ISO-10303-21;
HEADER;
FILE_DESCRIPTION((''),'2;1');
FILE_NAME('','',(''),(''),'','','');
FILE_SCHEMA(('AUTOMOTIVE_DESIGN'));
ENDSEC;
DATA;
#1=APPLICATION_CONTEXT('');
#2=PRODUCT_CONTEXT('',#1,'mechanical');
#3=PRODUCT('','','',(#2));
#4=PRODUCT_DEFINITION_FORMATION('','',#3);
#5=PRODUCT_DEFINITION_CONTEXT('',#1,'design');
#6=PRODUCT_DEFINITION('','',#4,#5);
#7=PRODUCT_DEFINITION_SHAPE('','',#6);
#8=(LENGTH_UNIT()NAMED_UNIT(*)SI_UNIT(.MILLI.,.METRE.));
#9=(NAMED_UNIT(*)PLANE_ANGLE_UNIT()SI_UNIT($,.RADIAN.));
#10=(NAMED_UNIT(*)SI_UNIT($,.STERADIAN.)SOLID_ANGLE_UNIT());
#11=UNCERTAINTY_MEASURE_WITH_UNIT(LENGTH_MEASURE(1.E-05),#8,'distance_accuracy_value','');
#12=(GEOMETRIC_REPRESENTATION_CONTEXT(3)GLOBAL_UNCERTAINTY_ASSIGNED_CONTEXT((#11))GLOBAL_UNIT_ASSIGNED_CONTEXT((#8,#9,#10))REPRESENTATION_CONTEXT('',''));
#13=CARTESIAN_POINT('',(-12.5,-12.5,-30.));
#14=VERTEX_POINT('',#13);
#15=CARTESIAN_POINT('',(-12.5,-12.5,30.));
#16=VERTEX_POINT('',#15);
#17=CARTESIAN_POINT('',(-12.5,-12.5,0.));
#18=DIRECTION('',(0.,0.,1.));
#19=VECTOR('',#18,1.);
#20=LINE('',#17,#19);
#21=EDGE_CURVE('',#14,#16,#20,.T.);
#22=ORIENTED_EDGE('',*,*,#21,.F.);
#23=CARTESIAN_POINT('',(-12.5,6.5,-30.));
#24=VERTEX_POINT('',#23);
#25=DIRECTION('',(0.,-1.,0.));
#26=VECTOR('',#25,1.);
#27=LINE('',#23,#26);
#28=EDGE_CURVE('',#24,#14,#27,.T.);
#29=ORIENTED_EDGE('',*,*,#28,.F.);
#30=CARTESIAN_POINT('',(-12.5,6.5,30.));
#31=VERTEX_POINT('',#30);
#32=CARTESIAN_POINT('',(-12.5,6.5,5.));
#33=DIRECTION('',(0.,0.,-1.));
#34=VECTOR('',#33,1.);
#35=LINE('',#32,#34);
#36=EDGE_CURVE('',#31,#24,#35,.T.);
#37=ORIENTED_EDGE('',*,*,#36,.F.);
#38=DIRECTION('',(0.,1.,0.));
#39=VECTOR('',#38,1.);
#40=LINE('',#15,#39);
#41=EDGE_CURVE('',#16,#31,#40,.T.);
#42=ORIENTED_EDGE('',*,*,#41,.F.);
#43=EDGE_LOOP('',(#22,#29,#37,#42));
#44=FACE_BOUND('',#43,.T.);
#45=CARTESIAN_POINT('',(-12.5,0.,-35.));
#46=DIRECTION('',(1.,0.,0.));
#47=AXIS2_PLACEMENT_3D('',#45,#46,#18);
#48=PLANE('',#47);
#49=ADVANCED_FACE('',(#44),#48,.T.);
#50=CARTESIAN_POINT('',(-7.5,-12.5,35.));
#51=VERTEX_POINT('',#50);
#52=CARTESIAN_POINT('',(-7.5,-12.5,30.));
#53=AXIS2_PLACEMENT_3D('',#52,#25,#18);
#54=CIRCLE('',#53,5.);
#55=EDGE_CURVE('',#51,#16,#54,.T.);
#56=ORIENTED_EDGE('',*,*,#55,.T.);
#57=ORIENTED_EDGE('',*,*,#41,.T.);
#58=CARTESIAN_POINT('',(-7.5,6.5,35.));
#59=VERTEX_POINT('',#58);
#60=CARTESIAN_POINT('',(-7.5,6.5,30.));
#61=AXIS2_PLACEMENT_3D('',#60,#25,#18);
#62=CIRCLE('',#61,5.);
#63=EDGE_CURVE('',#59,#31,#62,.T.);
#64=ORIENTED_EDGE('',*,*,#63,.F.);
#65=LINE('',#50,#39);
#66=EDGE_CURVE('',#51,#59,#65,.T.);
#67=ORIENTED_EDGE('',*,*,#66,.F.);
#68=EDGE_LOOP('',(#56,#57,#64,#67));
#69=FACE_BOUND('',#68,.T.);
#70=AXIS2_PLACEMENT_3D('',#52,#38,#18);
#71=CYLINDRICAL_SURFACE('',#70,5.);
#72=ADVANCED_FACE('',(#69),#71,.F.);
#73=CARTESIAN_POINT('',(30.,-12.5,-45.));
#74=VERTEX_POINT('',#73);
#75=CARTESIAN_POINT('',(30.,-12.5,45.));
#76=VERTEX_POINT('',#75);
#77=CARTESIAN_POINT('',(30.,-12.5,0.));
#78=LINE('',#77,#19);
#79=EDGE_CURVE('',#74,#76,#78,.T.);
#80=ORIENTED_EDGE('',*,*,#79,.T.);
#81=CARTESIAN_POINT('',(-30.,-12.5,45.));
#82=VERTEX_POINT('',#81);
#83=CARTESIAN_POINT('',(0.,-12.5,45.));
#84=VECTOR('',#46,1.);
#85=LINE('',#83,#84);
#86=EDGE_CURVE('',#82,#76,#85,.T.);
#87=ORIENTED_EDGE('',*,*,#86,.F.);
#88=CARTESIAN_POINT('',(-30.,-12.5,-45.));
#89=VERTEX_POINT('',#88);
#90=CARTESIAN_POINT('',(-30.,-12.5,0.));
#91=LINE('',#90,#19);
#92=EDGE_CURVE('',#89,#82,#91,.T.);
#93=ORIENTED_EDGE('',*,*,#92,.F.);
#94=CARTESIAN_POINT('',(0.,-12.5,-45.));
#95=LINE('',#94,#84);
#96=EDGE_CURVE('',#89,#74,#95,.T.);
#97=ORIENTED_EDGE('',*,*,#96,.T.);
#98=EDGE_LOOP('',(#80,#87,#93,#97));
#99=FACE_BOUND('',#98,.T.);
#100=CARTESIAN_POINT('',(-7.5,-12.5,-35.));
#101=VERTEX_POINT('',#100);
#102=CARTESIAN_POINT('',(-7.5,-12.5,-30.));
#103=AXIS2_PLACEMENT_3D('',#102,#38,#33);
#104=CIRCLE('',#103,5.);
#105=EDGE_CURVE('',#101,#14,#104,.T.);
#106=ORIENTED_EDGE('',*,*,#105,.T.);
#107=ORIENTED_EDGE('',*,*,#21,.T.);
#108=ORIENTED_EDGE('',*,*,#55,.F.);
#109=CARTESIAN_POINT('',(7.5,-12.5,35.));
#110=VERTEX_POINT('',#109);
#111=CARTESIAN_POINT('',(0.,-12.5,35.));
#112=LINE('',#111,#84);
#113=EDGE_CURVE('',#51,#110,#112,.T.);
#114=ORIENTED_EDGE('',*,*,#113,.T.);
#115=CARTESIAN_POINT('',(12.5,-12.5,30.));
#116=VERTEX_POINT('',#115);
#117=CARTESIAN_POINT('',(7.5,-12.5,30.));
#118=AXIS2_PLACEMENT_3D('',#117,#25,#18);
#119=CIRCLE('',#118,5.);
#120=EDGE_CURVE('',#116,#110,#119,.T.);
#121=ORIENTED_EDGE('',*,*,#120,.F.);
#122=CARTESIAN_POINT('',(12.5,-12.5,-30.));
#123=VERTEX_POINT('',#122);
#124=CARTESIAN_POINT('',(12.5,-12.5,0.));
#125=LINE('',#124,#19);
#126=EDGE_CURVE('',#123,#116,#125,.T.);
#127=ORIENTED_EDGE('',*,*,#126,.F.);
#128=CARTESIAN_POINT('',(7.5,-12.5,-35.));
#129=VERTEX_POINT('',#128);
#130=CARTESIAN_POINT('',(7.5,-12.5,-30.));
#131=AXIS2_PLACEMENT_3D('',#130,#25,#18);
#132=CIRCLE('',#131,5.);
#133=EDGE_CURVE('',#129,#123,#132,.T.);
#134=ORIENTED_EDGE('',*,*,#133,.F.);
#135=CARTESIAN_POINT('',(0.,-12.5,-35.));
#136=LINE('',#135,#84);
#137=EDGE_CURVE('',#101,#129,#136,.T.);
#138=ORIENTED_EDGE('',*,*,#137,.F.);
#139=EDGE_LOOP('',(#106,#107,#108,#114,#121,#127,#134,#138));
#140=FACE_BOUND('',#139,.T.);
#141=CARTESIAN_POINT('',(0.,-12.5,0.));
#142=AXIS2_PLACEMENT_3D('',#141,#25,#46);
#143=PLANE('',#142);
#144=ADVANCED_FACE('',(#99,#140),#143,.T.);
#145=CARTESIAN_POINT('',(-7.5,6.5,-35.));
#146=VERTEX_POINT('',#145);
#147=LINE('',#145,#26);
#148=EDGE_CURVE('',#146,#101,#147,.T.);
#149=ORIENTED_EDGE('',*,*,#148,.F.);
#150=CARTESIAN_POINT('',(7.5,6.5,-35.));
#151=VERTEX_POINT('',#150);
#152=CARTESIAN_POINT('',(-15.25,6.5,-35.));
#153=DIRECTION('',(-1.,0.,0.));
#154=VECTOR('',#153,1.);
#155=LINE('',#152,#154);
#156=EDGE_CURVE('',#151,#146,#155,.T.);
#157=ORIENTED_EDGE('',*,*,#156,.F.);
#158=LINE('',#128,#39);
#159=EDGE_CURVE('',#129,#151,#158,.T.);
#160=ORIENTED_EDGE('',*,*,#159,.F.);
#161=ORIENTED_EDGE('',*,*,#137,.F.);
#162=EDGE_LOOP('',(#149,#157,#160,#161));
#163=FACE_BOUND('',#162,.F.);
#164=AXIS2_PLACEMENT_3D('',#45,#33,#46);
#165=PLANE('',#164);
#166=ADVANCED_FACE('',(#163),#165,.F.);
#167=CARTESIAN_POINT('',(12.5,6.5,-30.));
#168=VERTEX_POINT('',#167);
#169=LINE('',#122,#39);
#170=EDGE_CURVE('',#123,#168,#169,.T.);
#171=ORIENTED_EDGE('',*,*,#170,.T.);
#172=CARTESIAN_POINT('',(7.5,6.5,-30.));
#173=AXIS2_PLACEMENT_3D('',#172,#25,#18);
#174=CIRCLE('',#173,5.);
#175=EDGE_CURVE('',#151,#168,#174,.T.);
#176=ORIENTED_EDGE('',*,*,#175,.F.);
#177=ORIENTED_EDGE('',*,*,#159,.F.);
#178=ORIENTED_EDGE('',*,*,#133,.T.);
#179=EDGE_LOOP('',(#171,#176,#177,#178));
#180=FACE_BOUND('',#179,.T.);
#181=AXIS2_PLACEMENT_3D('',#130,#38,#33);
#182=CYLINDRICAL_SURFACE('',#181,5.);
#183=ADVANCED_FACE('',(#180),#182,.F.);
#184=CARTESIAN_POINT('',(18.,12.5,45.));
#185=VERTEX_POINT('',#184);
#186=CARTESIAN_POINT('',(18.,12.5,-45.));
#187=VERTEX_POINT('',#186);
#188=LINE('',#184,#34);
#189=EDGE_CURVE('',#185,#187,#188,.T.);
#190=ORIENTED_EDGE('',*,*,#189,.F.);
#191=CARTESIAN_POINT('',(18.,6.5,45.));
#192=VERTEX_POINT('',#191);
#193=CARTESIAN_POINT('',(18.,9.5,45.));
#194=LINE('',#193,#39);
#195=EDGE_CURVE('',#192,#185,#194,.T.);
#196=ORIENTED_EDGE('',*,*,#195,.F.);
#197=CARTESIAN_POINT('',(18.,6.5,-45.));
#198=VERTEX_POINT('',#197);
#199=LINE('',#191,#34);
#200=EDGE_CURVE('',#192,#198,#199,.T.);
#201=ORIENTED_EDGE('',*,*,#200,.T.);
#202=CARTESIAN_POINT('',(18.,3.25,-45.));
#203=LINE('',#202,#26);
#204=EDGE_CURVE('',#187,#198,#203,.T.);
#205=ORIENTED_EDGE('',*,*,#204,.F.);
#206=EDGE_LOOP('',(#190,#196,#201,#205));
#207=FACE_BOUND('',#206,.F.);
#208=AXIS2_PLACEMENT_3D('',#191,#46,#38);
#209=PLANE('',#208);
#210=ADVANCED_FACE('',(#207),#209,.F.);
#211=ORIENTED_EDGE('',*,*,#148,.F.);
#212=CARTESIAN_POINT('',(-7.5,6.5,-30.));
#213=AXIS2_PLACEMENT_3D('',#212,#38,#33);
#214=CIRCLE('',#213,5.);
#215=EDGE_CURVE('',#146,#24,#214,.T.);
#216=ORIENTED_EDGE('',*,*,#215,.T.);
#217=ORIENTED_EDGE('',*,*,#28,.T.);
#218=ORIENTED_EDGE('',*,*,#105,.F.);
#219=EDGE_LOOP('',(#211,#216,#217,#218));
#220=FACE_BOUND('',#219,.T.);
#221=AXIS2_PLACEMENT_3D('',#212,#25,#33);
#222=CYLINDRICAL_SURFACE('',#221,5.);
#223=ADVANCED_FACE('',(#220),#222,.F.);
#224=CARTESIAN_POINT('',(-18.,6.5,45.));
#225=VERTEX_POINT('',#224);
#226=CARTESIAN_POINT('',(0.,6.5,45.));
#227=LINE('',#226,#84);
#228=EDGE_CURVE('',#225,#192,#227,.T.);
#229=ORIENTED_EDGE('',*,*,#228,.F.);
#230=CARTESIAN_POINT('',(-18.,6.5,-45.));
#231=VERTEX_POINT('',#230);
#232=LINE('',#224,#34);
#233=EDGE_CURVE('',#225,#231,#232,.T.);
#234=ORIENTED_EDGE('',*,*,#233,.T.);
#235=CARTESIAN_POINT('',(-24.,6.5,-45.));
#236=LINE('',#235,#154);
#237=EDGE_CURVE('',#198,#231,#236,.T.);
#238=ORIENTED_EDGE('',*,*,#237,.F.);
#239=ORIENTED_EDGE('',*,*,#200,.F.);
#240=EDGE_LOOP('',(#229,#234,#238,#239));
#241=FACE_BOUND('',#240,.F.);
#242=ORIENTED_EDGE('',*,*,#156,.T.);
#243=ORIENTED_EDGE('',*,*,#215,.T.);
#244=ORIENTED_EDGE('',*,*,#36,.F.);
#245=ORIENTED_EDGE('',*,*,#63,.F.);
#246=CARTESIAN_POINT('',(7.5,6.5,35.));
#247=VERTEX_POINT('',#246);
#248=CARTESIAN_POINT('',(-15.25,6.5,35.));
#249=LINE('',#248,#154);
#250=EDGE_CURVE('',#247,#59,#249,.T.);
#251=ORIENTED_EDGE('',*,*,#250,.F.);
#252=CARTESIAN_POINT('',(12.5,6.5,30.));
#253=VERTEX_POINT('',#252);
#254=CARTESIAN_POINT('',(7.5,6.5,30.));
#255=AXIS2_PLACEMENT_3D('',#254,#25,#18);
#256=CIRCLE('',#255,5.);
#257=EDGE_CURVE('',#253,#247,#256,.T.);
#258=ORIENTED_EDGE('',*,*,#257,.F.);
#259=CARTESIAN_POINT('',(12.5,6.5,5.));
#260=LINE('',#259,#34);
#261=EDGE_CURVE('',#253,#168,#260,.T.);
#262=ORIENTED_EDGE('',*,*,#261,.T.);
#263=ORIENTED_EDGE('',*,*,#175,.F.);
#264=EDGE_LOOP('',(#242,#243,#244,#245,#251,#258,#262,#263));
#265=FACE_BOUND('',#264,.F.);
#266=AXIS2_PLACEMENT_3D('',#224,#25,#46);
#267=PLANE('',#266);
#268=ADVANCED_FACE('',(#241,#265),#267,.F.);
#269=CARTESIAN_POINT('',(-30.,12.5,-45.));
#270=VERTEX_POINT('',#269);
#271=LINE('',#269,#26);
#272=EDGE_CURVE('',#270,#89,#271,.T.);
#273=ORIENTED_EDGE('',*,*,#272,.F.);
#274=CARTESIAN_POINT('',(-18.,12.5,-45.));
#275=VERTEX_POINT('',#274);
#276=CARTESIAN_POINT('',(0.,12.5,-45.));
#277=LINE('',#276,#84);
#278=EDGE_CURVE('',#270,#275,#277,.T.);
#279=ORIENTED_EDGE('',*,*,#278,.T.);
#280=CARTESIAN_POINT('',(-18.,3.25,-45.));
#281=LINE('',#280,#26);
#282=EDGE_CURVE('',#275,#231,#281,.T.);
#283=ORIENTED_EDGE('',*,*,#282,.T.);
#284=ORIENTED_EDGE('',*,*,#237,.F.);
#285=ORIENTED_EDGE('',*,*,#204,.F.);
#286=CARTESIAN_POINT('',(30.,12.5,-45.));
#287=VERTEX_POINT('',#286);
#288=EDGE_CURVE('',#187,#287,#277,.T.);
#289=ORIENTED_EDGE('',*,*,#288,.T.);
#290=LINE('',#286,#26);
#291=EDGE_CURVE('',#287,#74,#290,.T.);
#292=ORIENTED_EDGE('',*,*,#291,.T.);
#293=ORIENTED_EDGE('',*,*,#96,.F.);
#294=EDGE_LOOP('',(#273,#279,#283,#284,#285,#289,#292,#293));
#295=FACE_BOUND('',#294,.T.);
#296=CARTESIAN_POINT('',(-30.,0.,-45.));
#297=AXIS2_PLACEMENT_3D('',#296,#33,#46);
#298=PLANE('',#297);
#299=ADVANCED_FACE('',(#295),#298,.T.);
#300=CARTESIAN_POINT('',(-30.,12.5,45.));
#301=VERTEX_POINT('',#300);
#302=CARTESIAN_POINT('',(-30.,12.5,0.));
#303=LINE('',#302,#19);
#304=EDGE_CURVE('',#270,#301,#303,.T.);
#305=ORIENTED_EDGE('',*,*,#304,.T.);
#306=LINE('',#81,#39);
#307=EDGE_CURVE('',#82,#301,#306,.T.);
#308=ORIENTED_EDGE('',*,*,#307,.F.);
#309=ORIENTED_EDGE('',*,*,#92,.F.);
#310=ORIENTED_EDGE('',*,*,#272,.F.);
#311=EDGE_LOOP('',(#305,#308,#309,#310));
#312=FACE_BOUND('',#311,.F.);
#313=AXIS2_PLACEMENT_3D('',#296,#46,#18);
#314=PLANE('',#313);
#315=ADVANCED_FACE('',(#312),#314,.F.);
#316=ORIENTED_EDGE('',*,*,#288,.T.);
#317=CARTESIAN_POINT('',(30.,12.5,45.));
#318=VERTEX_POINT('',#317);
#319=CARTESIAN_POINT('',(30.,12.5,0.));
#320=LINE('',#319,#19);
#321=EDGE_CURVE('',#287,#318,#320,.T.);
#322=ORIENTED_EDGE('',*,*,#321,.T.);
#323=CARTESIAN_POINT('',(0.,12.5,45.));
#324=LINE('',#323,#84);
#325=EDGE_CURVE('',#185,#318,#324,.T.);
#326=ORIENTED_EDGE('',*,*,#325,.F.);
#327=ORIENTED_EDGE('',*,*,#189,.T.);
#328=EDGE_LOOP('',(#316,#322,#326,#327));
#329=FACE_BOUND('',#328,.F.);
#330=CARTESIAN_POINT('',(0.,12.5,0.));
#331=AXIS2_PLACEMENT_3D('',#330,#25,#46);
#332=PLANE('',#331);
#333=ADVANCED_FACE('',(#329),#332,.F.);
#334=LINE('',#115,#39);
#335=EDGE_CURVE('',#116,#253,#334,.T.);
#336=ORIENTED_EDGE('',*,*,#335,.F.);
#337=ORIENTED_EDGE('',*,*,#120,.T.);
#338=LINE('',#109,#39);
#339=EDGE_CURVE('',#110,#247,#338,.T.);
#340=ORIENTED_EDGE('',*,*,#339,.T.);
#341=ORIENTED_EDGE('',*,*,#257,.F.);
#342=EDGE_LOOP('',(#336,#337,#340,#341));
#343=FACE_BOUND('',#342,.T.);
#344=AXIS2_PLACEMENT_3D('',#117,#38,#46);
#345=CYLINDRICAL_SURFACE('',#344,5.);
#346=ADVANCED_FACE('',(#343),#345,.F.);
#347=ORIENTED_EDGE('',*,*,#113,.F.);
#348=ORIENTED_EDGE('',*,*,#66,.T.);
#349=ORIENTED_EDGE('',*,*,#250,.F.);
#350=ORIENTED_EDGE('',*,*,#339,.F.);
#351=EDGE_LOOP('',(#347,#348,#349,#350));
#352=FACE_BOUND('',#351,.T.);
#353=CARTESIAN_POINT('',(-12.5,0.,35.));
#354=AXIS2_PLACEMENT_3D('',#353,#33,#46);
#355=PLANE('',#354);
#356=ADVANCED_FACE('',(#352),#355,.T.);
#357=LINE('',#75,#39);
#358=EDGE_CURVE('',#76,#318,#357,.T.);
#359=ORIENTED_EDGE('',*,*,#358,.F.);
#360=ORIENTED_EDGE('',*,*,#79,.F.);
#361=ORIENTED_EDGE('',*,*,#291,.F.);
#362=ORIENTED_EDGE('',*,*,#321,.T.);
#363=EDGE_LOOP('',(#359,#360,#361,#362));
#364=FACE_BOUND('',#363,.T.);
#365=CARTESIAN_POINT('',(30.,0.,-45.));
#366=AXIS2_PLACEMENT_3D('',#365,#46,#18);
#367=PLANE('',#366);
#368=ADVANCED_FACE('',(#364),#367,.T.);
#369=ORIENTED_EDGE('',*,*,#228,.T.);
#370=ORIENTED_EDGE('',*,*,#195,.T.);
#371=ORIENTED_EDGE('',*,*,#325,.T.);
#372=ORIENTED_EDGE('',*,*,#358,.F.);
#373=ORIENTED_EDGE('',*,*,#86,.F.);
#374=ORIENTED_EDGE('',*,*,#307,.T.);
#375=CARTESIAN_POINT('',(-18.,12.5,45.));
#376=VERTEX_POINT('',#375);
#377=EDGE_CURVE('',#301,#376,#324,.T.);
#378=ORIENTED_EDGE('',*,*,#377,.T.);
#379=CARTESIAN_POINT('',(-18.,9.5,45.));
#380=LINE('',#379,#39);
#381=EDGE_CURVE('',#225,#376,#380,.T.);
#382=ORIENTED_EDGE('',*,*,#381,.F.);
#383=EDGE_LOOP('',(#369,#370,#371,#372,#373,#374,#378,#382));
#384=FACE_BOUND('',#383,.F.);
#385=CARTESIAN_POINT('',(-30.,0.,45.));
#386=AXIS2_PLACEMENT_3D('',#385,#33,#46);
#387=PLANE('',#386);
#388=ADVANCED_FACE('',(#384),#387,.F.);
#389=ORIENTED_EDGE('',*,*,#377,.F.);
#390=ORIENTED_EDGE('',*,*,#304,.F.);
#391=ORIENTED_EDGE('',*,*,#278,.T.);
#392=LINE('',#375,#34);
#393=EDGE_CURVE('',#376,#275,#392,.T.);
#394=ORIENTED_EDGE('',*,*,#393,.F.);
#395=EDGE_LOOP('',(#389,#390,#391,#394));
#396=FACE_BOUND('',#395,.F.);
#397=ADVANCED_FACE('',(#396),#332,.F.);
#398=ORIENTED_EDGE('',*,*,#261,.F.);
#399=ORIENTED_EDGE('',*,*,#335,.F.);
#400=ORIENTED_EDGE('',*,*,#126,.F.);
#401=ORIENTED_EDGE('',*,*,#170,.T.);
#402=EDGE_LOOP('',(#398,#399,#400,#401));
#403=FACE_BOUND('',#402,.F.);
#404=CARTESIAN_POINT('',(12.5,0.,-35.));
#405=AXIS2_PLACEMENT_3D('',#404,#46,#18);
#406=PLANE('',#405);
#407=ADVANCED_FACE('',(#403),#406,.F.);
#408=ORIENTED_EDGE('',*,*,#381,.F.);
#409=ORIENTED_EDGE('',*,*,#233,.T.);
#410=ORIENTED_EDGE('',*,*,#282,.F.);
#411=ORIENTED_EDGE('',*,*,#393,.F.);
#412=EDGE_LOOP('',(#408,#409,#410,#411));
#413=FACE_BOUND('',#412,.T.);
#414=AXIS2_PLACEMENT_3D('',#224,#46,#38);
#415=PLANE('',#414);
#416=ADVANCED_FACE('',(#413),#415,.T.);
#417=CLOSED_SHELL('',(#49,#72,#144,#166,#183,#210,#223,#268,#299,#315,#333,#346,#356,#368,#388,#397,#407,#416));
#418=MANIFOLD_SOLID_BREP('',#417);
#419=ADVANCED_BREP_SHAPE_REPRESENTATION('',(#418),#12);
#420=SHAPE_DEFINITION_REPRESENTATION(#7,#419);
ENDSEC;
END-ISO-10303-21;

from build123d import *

# Parameters (mm, degrees)
F0_W     = 60
F0_H     = 90
F0_W_2   = 25
F0_H_2   = 70
F1_DEPTH = 12.5
F2_W     = 36
F2_H     = 6
F3_DEPTH = 90.001
F4_R     = 5


with BuildPart() as f1:
    # F0 (on Front) → F1 (new body, symmetric)
    with BuildSketch(Plane.XZ):
        Rectangle(F0_W, F0_H)
        Rectangle(F0_W_2, F0_H_2, mode=Mode.SUBTRACT)
    extrude(amount=F1_DEPTH, both=True)

    # F2 (on face) → F3 (cut, through all)
    with BuildSketch(Plane.XY.offset(45)):
        with Locations((0, 9.5)):
            Rectangle(F2_W, F2_H)
    extrude(amount=-F3_DEPTH, mode=Mode.SUBTRACT)

    # F4
    f4_edges = [f1.edges().sort_by_distance(p)[0] for p in [
        (-12.5, -3, 35),
        (12.5, -3, 35),
        (12.5, -3, -35),
        (-12.5, -3, -35),
    ]]
    fillet(f4_edges, radius=F4_R)


solid = f1.part
